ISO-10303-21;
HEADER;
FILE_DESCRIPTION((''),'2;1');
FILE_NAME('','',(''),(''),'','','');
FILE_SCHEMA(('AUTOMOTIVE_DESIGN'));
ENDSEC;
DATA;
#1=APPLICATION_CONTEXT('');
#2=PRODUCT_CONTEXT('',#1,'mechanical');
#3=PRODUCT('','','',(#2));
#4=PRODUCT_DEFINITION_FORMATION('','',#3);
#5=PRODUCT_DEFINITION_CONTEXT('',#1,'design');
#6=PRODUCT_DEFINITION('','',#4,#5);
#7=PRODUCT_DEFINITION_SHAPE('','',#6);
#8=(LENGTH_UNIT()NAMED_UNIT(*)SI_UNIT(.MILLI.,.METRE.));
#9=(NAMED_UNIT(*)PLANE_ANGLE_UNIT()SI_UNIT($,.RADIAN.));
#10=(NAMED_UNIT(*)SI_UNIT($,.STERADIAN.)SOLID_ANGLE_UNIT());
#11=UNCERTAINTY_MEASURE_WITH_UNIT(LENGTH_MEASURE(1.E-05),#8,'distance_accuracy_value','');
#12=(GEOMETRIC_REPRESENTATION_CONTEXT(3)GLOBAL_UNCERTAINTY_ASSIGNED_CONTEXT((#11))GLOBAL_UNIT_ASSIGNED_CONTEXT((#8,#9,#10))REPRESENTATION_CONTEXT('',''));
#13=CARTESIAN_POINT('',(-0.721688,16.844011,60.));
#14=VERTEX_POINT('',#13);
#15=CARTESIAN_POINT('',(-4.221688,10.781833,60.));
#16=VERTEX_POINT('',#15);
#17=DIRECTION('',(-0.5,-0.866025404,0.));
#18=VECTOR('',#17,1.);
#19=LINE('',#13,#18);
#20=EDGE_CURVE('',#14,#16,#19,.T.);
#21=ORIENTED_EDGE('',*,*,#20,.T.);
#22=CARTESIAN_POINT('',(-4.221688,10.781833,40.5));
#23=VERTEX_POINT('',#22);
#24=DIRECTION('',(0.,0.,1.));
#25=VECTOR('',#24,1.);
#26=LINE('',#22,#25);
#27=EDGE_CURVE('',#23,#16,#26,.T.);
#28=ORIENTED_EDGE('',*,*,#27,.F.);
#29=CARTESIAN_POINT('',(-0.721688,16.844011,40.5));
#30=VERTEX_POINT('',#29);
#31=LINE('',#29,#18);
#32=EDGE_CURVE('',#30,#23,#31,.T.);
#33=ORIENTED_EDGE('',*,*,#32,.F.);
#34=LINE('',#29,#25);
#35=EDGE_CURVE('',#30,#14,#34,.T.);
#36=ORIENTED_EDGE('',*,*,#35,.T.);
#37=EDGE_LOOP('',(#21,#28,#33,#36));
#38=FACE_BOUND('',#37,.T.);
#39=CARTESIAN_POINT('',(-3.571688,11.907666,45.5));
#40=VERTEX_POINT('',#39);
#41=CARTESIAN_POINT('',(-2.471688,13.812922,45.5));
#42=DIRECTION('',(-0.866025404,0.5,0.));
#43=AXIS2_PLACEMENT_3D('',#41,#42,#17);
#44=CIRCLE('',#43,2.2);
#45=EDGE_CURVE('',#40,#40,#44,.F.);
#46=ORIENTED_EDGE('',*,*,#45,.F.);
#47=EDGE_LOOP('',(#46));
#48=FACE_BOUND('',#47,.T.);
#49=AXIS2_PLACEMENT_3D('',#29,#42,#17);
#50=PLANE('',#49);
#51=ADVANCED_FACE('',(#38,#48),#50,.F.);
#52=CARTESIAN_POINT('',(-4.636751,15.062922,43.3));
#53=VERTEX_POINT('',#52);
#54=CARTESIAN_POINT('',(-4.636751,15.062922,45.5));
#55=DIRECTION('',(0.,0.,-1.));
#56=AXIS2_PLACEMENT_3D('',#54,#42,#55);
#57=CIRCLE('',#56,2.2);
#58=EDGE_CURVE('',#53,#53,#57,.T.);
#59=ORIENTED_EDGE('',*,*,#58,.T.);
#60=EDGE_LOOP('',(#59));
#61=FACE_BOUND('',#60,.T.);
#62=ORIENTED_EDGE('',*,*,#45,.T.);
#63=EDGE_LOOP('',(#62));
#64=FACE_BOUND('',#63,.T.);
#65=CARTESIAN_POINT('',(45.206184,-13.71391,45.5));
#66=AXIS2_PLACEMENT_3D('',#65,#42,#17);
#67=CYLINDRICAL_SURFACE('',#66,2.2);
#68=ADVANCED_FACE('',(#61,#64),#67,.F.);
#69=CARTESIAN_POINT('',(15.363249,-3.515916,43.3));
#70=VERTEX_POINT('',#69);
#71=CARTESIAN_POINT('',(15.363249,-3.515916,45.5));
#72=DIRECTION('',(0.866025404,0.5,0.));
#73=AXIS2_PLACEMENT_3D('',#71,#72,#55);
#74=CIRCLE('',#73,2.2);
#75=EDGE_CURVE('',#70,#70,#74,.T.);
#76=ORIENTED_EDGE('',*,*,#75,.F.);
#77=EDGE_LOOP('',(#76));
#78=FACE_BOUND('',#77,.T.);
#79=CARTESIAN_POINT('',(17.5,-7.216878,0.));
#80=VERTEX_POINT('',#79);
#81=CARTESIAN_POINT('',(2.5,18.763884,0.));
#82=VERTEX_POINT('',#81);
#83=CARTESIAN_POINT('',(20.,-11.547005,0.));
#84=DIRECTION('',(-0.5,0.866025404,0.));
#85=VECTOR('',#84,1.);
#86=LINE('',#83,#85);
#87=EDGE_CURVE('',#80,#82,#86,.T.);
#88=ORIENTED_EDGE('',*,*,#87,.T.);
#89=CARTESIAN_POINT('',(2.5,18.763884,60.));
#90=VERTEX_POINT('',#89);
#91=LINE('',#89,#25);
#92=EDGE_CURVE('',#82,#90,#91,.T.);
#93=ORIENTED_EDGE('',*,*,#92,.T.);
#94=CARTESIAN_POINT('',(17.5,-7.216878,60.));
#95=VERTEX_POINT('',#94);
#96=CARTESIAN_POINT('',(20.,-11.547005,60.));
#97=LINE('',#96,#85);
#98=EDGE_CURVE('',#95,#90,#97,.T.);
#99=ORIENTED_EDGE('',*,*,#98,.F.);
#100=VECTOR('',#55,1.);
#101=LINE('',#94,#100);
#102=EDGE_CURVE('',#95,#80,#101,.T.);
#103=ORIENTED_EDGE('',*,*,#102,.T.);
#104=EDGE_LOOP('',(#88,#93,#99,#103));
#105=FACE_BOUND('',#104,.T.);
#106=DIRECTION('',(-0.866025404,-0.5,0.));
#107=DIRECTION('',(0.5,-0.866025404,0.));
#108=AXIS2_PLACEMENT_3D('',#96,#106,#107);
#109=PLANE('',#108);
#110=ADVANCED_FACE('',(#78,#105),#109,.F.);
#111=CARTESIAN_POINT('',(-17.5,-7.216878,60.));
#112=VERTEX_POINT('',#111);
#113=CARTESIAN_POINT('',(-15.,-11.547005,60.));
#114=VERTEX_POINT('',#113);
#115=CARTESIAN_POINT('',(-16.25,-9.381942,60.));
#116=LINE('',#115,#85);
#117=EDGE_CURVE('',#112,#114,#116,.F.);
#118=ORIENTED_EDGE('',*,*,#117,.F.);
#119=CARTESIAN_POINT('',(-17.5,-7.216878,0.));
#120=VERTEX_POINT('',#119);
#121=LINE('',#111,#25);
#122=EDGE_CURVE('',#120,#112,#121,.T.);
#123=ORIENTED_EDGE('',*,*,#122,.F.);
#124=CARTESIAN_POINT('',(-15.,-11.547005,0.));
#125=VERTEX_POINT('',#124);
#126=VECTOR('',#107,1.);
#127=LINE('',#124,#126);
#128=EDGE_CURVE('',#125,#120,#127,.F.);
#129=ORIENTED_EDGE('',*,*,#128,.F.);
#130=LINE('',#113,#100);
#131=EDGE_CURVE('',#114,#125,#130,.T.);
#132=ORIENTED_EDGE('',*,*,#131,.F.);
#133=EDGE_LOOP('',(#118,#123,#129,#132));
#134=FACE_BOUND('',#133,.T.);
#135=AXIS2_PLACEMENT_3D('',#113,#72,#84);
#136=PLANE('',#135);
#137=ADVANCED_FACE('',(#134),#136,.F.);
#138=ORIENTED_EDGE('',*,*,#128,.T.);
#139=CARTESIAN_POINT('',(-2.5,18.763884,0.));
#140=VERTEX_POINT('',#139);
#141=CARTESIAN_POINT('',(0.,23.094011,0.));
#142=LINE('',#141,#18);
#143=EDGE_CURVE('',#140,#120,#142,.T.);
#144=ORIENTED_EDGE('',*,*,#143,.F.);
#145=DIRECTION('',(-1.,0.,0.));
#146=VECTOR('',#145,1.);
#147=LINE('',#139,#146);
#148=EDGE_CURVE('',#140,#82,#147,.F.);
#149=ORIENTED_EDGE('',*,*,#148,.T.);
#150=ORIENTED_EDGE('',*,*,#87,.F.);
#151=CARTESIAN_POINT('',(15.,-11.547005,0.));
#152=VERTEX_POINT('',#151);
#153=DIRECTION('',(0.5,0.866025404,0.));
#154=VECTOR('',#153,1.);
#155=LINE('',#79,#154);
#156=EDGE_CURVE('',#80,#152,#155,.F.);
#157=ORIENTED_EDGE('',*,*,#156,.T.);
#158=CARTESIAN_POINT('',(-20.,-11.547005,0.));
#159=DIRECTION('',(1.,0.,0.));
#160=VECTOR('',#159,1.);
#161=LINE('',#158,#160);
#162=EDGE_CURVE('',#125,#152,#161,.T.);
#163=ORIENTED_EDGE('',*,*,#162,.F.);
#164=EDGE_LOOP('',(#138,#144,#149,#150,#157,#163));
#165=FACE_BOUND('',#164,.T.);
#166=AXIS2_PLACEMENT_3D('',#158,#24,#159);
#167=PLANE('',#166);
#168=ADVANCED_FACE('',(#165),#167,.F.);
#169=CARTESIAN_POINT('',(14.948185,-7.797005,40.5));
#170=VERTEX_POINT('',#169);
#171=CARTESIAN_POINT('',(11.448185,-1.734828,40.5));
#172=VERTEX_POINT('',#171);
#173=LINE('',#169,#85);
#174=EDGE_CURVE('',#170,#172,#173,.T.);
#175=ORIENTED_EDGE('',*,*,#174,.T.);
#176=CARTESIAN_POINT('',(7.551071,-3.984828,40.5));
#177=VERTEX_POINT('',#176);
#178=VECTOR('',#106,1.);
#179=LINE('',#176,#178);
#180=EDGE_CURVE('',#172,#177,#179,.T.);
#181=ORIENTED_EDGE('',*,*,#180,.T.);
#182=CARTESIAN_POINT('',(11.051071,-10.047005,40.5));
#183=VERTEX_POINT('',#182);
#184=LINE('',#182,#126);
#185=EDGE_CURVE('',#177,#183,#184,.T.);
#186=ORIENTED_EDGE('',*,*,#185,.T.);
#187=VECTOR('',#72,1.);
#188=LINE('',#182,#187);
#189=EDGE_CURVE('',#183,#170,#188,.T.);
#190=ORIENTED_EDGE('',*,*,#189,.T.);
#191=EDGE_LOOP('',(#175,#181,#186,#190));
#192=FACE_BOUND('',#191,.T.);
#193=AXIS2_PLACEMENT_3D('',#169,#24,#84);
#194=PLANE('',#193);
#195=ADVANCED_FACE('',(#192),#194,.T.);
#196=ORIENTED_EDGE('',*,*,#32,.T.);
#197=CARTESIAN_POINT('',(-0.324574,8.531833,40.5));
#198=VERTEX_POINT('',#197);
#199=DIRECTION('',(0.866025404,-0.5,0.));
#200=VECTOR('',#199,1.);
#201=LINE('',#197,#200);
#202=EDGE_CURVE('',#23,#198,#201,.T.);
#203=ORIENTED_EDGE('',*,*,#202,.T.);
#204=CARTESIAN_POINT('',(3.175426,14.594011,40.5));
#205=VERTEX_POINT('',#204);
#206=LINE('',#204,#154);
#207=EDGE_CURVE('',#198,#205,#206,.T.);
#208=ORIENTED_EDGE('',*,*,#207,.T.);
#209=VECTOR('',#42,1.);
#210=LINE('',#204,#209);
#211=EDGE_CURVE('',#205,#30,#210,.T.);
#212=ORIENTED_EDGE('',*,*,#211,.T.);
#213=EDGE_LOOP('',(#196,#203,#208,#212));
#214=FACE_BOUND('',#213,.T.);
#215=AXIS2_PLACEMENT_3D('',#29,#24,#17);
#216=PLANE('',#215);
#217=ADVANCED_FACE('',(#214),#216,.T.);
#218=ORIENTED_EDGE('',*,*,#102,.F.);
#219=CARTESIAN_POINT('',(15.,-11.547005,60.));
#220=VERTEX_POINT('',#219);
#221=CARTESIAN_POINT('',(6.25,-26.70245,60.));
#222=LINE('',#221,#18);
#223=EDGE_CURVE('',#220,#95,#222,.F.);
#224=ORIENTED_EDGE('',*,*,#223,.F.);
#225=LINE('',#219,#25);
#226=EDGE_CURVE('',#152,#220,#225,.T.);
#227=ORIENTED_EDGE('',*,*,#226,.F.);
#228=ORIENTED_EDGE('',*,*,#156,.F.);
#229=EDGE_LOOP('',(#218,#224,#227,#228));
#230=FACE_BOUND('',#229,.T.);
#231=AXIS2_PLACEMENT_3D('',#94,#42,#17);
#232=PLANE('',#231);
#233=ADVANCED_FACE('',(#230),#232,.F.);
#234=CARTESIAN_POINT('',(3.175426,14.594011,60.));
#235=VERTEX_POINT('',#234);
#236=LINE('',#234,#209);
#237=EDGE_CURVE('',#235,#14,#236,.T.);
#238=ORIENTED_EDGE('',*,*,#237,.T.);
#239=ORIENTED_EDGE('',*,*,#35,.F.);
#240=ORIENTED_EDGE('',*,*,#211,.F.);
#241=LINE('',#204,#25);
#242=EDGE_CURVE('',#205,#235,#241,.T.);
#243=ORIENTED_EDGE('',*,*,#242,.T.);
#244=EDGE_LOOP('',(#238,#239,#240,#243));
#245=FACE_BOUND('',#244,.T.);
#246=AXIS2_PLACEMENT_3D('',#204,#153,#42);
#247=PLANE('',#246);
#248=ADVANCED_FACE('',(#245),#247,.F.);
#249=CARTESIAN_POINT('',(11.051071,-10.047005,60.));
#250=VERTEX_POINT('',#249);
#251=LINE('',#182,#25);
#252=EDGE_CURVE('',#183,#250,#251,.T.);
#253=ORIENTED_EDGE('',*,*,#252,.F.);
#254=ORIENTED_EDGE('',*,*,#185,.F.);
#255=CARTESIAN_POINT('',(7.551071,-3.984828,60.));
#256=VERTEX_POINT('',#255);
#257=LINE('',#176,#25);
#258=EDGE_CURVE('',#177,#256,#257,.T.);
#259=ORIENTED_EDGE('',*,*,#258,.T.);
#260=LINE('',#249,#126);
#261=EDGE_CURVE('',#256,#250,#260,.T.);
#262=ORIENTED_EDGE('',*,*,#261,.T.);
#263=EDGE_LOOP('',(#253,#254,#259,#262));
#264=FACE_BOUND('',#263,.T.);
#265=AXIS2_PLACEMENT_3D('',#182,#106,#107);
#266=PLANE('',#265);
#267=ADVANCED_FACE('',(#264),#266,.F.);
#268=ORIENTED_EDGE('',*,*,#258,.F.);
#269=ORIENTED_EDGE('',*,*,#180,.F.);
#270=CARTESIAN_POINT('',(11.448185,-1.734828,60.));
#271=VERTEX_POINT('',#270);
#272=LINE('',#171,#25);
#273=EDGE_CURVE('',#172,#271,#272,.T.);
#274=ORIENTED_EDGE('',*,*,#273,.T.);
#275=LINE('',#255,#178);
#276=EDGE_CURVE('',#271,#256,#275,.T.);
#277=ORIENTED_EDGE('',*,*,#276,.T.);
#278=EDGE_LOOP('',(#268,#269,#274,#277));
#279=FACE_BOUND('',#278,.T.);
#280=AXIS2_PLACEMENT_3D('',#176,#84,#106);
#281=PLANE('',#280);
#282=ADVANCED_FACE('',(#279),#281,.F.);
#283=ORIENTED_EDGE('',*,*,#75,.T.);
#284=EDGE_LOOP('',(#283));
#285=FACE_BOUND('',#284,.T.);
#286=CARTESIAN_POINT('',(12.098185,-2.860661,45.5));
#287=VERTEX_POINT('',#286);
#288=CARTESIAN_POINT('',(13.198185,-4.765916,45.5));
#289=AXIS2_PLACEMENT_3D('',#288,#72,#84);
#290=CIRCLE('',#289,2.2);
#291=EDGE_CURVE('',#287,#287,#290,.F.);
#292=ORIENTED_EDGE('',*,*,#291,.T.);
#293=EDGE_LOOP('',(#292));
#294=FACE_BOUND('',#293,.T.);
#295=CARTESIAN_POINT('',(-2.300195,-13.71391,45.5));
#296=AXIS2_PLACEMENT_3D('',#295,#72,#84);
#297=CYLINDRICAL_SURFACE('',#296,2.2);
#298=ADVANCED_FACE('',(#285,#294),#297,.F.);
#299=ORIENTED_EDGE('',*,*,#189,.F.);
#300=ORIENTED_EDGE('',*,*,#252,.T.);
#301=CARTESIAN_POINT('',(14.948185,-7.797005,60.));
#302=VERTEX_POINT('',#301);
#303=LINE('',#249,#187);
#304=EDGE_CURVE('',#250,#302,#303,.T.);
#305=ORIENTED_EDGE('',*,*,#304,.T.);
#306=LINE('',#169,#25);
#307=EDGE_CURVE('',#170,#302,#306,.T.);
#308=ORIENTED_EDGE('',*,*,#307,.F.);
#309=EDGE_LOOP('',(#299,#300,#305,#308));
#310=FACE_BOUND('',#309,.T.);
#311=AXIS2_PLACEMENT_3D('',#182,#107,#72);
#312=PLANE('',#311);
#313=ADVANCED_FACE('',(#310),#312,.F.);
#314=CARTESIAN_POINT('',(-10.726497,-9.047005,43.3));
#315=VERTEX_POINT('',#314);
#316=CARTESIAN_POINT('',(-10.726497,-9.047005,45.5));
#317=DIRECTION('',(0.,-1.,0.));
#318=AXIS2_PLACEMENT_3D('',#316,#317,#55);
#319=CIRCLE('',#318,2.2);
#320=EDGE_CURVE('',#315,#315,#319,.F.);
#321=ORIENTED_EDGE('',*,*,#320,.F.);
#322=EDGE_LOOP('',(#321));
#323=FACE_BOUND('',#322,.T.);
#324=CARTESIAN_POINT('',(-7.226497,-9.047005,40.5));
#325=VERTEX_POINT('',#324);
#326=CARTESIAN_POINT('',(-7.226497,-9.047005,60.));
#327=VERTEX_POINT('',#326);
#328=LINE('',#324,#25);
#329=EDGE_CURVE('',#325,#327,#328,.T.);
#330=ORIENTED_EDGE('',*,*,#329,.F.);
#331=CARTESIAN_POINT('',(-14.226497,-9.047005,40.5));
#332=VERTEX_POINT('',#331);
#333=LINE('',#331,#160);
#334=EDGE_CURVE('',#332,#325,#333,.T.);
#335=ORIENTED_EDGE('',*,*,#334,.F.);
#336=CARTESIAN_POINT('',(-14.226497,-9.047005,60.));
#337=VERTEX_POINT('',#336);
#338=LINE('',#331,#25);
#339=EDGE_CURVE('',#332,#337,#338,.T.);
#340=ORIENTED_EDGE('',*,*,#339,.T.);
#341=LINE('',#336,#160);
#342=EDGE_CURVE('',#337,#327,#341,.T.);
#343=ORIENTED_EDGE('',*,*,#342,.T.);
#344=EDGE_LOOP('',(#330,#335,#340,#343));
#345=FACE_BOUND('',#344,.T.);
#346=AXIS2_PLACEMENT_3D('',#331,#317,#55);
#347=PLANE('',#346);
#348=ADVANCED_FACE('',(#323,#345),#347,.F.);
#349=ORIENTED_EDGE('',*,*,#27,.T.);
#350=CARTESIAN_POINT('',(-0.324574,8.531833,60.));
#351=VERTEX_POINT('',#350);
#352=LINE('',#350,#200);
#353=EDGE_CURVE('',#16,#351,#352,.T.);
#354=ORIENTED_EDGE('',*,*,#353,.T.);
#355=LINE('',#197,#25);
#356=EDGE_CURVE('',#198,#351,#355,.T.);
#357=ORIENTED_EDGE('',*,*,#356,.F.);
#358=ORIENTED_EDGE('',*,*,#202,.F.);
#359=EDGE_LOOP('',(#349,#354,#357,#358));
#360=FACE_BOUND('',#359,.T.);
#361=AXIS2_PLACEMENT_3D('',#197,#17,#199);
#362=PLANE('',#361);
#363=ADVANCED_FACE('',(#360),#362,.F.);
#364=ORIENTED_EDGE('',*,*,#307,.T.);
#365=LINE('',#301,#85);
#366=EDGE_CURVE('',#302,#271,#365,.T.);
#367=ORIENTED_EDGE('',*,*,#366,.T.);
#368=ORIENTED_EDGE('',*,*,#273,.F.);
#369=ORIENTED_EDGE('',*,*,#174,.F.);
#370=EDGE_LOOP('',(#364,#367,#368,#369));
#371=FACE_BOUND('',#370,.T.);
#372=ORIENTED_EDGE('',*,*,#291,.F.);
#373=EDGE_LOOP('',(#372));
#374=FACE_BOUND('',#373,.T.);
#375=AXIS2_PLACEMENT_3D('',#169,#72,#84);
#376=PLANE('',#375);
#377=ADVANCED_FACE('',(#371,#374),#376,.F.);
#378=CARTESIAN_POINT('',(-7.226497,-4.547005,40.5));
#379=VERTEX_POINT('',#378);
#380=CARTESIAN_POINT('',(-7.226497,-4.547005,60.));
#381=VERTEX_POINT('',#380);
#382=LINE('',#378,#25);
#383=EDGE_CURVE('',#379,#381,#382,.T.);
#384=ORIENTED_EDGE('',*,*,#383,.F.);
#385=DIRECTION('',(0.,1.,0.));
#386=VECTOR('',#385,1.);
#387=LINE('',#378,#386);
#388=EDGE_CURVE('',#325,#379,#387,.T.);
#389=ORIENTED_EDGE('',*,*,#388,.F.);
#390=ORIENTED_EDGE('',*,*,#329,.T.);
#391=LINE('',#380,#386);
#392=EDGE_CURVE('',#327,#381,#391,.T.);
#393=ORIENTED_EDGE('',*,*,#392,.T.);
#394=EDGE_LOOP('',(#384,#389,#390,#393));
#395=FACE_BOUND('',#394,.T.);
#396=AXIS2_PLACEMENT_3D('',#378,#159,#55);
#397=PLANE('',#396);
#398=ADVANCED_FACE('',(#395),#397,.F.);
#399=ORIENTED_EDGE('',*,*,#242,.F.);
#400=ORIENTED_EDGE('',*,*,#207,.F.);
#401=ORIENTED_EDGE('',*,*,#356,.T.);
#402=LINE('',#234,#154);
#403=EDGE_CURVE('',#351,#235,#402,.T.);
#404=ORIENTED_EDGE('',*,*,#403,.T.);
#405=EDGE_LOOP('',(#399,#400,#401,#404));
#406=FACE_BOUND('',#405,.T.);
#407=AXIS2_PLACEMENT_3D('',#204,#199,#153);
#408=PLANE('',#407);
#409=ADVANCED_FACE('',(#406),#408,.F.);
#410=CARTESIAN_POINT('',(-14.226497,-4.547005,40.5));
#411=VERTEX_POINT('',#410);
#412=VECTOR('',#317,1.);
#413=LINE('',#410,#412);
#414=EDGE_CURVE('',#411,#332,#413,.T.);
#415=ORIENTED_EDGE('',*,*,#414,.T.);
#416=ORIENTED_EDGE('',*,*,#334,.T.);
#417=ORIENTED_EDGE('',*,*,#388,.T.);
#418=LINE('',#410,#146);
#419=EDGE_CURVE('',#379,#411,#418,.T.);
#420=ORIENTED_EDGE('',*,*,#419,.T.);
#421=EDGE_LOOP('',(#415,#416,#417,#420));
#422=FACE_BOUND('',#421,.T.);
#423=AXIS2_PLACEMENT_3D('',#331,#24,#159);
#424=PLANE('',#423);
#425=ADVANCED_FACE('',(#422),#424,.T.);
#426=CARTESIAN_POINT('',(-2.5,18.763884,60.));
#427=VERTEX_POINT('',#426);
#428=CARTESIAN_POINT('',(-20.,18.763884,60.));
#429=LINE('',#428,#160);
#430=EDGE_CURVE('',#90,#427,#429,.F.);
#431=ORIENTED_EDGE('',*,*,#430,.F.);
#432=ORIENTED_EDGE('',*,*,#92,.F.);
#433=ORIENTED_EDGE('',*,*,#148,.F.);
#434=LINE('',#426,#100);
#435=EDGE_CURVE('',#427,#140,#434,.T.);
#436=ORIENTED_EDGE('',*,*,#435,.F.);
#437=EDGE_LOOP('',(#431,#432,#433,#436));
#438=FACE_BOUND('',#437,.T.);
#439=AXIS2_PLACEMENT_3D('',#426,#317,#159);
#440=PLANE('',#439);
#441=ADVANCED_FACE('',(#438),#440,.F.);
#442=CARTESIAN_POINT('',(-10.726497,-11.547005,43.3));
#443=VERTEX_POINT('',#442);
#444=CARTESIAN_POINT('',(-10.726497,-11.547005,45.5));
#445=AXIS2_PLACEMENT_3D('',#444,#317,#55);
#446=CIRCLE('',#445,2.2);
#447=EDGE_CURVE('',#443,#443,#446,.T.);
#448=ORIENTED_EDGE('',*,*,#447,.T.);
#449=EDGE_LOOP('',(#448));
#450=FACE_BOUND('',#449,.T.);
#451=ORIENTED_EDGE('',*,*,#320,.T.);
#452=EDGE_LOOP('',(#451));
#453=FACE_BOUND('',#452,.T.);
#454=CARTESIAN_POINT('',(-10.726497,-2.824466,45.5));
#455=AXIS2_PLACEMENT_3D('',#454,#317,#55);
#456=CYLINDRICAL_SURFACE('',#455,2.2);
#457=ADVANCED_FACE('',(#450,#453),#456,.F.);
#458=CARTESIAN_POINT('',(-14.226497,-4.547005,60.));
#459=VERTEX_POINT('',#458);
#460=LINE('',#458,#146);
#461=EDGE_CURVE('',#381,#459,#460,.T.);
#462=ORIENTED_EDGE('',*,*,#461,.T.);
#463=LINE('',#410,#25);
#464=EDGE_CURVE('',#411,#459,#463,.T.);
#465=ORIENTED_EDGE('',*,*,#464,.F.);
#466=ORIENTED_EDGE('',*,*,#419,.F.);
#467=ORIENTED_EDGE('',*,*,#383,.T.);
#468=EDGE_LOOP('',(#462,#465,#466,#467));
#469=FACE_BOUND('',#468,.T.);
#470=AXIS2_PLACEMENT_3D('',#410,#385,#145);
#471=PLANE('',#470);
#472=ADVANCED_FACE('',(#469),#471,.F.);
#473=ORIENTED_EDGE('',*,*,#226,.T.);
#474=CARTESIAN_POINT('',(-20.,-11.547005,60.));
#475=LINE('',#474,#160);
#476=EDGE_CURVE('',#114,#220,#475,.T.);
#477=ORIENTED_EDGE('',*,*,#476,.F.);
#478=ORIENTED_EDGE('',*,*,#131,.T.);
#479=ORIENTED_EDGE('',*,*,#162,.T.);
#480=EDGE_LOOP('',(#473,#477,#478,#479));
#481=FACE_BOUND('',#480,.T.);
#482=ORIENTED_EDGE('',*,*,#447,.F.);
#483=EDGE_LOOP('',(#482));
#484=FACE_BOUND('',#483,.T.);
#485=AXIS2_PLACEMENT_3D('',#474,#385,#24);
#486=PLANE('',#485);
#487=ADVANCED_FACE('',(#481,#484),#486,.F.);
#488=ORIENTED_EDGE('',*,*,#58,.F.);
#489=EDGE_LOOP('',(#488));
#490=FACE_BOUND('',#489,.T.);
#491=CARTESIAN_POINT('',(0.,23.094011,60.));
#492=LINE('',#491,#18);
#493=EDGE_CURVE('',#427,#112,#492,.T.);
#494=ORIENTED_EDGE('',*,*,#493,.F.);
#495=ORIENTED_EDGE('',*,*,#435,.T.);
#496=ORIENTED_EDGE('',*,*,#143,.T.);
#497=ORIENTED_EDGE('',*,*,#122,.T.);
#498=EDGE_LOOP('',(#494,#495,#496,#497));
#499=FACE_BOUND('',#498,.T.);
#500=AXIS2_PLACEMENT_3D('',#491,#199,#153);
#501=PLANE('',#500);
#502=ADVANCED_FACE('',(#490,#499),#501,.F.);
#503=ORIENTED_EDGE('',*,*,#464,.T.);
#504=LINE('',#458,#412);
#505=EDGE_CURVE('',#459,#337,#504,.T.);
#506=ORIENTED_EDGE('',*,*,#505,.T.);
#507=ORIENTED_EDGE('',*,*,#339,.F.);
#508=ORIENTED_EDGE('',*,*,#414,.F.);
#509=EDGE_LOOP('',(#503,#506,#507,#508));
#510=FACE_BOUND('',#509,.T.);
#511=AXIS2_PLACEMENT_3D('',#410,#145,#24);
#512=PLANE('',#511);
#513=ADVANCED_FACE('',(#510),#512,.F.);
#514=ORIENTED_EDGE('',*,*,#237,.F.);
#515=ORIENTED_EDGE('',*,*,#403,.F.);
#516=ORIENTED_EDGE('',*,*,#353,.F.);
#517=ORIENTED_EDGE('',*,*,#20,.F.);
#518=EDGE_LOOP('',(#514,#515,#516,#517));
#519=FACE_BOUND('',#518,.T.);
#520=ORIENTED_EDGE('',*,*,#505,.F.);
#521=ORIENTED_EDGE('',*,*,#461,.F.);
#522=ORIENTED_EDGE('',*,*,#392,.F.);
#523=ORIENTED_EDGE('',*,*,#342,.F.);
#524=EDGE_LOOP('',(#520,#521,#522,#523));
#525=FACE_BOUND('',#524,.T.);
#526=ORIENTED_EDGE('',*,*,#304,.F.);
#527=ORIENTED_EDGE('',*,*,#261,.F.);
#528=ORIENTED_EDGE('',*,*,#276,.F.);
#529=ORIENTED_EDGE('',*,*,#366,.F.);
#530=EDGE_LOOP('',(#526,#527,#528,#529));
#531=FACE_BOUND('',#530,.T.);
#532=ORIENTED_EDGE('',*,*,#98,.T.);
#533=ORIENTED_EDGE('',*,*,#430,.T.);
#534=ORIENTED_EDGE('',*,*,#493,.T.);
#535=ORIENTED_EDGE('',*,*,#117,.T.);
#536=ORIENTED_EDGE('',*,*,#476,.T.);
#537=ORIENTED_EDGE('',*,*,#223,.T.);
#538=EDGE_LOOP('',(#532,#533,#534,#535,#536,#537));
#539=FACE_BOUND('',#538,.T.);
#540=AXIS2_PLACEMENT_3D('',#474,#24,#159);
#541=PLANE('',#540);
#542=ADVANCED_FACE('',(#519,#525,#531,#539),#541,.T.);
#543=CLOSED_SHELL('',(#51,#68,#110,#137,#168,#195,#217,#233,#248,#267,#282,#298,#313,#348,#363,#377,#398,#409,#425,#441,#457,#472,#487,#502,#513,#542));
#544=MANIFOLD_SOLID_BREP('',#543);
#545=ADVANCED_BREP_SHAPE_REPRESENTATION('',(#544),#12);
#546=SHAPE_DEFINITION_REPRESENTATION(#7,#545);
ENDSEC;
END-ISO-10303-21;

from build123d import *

# Parameters (mm, degrees)
BOSS_EXTRUDE1_DEPTH  = 60
CHAMFER1_SIZE        = 5
CHAMFER1_EDGE_2_SIZE = 5
CHAMFER1_EDGE_3_SIZE = 5
SKETCH2_W            = 7
SKETCH2_H            = 4.5
CUT_EXTRUDE1_DEPTH   = 19.5
SKETCH3_R            = 2.2
CUT_EXTRUDE2_DEPTH   = 2.5
CIRPATTERN1_COUNT    = 3


with BuildPart() as part:
    # Sketch1 → Boss-Extrude1 (new body)
    with BuildSketch(Plane.XY):
        Polygon((-20, -11.547005384), (20, -11.547005384), (0, 23.094010768), align=None)
    extrude(amount=BOSS_EXTRUDE1_DEPTH)

    # Chamfer1
    chamfer1_edges = [part.edges().sort_by_distance(p)[0] for p in [
        (0, 23.094010768, 30),
    ]]
    chamfer(chamfer1_edges, length=CHAMFER1_SIZE)

    # Chamfer1 edge 2
    chamfer1_edge_2_edges = [part.edges().sort_by_distance(p)[0] for p in [
        (20, -11.547005384, 30),
    ]]
    chamfer(chamfer1_edge_2_edges, length=CHAMFER1_EDGE_2_SIZE)

    # Chamfer1 edge 3
    chamfer1_edge_3_edges = [part.edges().sort_by_distance(p)[0] for p in [
        (-20, -11.547005384, 30),
    ]]
    chamfer(chamfer1_edge_3_edges, length=CHAMFER1_EDGE_3_SIZE)

    # Sketch2 → Cut-Extrude1 (cut)
    with BuildSketch(Plane.XY.offset(60)):
        with Locations((-10.726497308, -6.797005384)):
            Rectangle(SKETCH2_W, SKETCH2_H)
    cut_extrude1 = extrude(amount=-CUT_EXTRUDE1_DEPTH, mode=Mode.SUBTRACT)

    # Sketch3 → Cut-Extrude2 (cut)
    with BuildSketch(Plane.XZ.offset(11.547005384)):
        with Locations((-10.726497308, 45.5)):
            Circle(SKETCH3_R)
    cut_extrude2 = extrude(amount=-CUT_EXTRUDE2_DEPTH, mode=Mode.SUBTRACT)

    # CirPattern1: Cut-Extrude1, Cut-Extrude2 ×3 about axis
    cirpattern1_axis = Axis((0, 0, 0), (0, 0, 1))
    for i in range(1, CIRPATTERN1_COUNT):
        add(cut_extrude1.rotate(cirpattern1_axis, i * 360 / CIRPATTERN1_COUNT), mode=Mode.SUBTRACT)
        add(cut_extrude2.rotate(cirpattern1_axis, i * 360 / CIRPATTERN1_COUNT), mode=Mode.SUBTRACT)


solid = part.part
